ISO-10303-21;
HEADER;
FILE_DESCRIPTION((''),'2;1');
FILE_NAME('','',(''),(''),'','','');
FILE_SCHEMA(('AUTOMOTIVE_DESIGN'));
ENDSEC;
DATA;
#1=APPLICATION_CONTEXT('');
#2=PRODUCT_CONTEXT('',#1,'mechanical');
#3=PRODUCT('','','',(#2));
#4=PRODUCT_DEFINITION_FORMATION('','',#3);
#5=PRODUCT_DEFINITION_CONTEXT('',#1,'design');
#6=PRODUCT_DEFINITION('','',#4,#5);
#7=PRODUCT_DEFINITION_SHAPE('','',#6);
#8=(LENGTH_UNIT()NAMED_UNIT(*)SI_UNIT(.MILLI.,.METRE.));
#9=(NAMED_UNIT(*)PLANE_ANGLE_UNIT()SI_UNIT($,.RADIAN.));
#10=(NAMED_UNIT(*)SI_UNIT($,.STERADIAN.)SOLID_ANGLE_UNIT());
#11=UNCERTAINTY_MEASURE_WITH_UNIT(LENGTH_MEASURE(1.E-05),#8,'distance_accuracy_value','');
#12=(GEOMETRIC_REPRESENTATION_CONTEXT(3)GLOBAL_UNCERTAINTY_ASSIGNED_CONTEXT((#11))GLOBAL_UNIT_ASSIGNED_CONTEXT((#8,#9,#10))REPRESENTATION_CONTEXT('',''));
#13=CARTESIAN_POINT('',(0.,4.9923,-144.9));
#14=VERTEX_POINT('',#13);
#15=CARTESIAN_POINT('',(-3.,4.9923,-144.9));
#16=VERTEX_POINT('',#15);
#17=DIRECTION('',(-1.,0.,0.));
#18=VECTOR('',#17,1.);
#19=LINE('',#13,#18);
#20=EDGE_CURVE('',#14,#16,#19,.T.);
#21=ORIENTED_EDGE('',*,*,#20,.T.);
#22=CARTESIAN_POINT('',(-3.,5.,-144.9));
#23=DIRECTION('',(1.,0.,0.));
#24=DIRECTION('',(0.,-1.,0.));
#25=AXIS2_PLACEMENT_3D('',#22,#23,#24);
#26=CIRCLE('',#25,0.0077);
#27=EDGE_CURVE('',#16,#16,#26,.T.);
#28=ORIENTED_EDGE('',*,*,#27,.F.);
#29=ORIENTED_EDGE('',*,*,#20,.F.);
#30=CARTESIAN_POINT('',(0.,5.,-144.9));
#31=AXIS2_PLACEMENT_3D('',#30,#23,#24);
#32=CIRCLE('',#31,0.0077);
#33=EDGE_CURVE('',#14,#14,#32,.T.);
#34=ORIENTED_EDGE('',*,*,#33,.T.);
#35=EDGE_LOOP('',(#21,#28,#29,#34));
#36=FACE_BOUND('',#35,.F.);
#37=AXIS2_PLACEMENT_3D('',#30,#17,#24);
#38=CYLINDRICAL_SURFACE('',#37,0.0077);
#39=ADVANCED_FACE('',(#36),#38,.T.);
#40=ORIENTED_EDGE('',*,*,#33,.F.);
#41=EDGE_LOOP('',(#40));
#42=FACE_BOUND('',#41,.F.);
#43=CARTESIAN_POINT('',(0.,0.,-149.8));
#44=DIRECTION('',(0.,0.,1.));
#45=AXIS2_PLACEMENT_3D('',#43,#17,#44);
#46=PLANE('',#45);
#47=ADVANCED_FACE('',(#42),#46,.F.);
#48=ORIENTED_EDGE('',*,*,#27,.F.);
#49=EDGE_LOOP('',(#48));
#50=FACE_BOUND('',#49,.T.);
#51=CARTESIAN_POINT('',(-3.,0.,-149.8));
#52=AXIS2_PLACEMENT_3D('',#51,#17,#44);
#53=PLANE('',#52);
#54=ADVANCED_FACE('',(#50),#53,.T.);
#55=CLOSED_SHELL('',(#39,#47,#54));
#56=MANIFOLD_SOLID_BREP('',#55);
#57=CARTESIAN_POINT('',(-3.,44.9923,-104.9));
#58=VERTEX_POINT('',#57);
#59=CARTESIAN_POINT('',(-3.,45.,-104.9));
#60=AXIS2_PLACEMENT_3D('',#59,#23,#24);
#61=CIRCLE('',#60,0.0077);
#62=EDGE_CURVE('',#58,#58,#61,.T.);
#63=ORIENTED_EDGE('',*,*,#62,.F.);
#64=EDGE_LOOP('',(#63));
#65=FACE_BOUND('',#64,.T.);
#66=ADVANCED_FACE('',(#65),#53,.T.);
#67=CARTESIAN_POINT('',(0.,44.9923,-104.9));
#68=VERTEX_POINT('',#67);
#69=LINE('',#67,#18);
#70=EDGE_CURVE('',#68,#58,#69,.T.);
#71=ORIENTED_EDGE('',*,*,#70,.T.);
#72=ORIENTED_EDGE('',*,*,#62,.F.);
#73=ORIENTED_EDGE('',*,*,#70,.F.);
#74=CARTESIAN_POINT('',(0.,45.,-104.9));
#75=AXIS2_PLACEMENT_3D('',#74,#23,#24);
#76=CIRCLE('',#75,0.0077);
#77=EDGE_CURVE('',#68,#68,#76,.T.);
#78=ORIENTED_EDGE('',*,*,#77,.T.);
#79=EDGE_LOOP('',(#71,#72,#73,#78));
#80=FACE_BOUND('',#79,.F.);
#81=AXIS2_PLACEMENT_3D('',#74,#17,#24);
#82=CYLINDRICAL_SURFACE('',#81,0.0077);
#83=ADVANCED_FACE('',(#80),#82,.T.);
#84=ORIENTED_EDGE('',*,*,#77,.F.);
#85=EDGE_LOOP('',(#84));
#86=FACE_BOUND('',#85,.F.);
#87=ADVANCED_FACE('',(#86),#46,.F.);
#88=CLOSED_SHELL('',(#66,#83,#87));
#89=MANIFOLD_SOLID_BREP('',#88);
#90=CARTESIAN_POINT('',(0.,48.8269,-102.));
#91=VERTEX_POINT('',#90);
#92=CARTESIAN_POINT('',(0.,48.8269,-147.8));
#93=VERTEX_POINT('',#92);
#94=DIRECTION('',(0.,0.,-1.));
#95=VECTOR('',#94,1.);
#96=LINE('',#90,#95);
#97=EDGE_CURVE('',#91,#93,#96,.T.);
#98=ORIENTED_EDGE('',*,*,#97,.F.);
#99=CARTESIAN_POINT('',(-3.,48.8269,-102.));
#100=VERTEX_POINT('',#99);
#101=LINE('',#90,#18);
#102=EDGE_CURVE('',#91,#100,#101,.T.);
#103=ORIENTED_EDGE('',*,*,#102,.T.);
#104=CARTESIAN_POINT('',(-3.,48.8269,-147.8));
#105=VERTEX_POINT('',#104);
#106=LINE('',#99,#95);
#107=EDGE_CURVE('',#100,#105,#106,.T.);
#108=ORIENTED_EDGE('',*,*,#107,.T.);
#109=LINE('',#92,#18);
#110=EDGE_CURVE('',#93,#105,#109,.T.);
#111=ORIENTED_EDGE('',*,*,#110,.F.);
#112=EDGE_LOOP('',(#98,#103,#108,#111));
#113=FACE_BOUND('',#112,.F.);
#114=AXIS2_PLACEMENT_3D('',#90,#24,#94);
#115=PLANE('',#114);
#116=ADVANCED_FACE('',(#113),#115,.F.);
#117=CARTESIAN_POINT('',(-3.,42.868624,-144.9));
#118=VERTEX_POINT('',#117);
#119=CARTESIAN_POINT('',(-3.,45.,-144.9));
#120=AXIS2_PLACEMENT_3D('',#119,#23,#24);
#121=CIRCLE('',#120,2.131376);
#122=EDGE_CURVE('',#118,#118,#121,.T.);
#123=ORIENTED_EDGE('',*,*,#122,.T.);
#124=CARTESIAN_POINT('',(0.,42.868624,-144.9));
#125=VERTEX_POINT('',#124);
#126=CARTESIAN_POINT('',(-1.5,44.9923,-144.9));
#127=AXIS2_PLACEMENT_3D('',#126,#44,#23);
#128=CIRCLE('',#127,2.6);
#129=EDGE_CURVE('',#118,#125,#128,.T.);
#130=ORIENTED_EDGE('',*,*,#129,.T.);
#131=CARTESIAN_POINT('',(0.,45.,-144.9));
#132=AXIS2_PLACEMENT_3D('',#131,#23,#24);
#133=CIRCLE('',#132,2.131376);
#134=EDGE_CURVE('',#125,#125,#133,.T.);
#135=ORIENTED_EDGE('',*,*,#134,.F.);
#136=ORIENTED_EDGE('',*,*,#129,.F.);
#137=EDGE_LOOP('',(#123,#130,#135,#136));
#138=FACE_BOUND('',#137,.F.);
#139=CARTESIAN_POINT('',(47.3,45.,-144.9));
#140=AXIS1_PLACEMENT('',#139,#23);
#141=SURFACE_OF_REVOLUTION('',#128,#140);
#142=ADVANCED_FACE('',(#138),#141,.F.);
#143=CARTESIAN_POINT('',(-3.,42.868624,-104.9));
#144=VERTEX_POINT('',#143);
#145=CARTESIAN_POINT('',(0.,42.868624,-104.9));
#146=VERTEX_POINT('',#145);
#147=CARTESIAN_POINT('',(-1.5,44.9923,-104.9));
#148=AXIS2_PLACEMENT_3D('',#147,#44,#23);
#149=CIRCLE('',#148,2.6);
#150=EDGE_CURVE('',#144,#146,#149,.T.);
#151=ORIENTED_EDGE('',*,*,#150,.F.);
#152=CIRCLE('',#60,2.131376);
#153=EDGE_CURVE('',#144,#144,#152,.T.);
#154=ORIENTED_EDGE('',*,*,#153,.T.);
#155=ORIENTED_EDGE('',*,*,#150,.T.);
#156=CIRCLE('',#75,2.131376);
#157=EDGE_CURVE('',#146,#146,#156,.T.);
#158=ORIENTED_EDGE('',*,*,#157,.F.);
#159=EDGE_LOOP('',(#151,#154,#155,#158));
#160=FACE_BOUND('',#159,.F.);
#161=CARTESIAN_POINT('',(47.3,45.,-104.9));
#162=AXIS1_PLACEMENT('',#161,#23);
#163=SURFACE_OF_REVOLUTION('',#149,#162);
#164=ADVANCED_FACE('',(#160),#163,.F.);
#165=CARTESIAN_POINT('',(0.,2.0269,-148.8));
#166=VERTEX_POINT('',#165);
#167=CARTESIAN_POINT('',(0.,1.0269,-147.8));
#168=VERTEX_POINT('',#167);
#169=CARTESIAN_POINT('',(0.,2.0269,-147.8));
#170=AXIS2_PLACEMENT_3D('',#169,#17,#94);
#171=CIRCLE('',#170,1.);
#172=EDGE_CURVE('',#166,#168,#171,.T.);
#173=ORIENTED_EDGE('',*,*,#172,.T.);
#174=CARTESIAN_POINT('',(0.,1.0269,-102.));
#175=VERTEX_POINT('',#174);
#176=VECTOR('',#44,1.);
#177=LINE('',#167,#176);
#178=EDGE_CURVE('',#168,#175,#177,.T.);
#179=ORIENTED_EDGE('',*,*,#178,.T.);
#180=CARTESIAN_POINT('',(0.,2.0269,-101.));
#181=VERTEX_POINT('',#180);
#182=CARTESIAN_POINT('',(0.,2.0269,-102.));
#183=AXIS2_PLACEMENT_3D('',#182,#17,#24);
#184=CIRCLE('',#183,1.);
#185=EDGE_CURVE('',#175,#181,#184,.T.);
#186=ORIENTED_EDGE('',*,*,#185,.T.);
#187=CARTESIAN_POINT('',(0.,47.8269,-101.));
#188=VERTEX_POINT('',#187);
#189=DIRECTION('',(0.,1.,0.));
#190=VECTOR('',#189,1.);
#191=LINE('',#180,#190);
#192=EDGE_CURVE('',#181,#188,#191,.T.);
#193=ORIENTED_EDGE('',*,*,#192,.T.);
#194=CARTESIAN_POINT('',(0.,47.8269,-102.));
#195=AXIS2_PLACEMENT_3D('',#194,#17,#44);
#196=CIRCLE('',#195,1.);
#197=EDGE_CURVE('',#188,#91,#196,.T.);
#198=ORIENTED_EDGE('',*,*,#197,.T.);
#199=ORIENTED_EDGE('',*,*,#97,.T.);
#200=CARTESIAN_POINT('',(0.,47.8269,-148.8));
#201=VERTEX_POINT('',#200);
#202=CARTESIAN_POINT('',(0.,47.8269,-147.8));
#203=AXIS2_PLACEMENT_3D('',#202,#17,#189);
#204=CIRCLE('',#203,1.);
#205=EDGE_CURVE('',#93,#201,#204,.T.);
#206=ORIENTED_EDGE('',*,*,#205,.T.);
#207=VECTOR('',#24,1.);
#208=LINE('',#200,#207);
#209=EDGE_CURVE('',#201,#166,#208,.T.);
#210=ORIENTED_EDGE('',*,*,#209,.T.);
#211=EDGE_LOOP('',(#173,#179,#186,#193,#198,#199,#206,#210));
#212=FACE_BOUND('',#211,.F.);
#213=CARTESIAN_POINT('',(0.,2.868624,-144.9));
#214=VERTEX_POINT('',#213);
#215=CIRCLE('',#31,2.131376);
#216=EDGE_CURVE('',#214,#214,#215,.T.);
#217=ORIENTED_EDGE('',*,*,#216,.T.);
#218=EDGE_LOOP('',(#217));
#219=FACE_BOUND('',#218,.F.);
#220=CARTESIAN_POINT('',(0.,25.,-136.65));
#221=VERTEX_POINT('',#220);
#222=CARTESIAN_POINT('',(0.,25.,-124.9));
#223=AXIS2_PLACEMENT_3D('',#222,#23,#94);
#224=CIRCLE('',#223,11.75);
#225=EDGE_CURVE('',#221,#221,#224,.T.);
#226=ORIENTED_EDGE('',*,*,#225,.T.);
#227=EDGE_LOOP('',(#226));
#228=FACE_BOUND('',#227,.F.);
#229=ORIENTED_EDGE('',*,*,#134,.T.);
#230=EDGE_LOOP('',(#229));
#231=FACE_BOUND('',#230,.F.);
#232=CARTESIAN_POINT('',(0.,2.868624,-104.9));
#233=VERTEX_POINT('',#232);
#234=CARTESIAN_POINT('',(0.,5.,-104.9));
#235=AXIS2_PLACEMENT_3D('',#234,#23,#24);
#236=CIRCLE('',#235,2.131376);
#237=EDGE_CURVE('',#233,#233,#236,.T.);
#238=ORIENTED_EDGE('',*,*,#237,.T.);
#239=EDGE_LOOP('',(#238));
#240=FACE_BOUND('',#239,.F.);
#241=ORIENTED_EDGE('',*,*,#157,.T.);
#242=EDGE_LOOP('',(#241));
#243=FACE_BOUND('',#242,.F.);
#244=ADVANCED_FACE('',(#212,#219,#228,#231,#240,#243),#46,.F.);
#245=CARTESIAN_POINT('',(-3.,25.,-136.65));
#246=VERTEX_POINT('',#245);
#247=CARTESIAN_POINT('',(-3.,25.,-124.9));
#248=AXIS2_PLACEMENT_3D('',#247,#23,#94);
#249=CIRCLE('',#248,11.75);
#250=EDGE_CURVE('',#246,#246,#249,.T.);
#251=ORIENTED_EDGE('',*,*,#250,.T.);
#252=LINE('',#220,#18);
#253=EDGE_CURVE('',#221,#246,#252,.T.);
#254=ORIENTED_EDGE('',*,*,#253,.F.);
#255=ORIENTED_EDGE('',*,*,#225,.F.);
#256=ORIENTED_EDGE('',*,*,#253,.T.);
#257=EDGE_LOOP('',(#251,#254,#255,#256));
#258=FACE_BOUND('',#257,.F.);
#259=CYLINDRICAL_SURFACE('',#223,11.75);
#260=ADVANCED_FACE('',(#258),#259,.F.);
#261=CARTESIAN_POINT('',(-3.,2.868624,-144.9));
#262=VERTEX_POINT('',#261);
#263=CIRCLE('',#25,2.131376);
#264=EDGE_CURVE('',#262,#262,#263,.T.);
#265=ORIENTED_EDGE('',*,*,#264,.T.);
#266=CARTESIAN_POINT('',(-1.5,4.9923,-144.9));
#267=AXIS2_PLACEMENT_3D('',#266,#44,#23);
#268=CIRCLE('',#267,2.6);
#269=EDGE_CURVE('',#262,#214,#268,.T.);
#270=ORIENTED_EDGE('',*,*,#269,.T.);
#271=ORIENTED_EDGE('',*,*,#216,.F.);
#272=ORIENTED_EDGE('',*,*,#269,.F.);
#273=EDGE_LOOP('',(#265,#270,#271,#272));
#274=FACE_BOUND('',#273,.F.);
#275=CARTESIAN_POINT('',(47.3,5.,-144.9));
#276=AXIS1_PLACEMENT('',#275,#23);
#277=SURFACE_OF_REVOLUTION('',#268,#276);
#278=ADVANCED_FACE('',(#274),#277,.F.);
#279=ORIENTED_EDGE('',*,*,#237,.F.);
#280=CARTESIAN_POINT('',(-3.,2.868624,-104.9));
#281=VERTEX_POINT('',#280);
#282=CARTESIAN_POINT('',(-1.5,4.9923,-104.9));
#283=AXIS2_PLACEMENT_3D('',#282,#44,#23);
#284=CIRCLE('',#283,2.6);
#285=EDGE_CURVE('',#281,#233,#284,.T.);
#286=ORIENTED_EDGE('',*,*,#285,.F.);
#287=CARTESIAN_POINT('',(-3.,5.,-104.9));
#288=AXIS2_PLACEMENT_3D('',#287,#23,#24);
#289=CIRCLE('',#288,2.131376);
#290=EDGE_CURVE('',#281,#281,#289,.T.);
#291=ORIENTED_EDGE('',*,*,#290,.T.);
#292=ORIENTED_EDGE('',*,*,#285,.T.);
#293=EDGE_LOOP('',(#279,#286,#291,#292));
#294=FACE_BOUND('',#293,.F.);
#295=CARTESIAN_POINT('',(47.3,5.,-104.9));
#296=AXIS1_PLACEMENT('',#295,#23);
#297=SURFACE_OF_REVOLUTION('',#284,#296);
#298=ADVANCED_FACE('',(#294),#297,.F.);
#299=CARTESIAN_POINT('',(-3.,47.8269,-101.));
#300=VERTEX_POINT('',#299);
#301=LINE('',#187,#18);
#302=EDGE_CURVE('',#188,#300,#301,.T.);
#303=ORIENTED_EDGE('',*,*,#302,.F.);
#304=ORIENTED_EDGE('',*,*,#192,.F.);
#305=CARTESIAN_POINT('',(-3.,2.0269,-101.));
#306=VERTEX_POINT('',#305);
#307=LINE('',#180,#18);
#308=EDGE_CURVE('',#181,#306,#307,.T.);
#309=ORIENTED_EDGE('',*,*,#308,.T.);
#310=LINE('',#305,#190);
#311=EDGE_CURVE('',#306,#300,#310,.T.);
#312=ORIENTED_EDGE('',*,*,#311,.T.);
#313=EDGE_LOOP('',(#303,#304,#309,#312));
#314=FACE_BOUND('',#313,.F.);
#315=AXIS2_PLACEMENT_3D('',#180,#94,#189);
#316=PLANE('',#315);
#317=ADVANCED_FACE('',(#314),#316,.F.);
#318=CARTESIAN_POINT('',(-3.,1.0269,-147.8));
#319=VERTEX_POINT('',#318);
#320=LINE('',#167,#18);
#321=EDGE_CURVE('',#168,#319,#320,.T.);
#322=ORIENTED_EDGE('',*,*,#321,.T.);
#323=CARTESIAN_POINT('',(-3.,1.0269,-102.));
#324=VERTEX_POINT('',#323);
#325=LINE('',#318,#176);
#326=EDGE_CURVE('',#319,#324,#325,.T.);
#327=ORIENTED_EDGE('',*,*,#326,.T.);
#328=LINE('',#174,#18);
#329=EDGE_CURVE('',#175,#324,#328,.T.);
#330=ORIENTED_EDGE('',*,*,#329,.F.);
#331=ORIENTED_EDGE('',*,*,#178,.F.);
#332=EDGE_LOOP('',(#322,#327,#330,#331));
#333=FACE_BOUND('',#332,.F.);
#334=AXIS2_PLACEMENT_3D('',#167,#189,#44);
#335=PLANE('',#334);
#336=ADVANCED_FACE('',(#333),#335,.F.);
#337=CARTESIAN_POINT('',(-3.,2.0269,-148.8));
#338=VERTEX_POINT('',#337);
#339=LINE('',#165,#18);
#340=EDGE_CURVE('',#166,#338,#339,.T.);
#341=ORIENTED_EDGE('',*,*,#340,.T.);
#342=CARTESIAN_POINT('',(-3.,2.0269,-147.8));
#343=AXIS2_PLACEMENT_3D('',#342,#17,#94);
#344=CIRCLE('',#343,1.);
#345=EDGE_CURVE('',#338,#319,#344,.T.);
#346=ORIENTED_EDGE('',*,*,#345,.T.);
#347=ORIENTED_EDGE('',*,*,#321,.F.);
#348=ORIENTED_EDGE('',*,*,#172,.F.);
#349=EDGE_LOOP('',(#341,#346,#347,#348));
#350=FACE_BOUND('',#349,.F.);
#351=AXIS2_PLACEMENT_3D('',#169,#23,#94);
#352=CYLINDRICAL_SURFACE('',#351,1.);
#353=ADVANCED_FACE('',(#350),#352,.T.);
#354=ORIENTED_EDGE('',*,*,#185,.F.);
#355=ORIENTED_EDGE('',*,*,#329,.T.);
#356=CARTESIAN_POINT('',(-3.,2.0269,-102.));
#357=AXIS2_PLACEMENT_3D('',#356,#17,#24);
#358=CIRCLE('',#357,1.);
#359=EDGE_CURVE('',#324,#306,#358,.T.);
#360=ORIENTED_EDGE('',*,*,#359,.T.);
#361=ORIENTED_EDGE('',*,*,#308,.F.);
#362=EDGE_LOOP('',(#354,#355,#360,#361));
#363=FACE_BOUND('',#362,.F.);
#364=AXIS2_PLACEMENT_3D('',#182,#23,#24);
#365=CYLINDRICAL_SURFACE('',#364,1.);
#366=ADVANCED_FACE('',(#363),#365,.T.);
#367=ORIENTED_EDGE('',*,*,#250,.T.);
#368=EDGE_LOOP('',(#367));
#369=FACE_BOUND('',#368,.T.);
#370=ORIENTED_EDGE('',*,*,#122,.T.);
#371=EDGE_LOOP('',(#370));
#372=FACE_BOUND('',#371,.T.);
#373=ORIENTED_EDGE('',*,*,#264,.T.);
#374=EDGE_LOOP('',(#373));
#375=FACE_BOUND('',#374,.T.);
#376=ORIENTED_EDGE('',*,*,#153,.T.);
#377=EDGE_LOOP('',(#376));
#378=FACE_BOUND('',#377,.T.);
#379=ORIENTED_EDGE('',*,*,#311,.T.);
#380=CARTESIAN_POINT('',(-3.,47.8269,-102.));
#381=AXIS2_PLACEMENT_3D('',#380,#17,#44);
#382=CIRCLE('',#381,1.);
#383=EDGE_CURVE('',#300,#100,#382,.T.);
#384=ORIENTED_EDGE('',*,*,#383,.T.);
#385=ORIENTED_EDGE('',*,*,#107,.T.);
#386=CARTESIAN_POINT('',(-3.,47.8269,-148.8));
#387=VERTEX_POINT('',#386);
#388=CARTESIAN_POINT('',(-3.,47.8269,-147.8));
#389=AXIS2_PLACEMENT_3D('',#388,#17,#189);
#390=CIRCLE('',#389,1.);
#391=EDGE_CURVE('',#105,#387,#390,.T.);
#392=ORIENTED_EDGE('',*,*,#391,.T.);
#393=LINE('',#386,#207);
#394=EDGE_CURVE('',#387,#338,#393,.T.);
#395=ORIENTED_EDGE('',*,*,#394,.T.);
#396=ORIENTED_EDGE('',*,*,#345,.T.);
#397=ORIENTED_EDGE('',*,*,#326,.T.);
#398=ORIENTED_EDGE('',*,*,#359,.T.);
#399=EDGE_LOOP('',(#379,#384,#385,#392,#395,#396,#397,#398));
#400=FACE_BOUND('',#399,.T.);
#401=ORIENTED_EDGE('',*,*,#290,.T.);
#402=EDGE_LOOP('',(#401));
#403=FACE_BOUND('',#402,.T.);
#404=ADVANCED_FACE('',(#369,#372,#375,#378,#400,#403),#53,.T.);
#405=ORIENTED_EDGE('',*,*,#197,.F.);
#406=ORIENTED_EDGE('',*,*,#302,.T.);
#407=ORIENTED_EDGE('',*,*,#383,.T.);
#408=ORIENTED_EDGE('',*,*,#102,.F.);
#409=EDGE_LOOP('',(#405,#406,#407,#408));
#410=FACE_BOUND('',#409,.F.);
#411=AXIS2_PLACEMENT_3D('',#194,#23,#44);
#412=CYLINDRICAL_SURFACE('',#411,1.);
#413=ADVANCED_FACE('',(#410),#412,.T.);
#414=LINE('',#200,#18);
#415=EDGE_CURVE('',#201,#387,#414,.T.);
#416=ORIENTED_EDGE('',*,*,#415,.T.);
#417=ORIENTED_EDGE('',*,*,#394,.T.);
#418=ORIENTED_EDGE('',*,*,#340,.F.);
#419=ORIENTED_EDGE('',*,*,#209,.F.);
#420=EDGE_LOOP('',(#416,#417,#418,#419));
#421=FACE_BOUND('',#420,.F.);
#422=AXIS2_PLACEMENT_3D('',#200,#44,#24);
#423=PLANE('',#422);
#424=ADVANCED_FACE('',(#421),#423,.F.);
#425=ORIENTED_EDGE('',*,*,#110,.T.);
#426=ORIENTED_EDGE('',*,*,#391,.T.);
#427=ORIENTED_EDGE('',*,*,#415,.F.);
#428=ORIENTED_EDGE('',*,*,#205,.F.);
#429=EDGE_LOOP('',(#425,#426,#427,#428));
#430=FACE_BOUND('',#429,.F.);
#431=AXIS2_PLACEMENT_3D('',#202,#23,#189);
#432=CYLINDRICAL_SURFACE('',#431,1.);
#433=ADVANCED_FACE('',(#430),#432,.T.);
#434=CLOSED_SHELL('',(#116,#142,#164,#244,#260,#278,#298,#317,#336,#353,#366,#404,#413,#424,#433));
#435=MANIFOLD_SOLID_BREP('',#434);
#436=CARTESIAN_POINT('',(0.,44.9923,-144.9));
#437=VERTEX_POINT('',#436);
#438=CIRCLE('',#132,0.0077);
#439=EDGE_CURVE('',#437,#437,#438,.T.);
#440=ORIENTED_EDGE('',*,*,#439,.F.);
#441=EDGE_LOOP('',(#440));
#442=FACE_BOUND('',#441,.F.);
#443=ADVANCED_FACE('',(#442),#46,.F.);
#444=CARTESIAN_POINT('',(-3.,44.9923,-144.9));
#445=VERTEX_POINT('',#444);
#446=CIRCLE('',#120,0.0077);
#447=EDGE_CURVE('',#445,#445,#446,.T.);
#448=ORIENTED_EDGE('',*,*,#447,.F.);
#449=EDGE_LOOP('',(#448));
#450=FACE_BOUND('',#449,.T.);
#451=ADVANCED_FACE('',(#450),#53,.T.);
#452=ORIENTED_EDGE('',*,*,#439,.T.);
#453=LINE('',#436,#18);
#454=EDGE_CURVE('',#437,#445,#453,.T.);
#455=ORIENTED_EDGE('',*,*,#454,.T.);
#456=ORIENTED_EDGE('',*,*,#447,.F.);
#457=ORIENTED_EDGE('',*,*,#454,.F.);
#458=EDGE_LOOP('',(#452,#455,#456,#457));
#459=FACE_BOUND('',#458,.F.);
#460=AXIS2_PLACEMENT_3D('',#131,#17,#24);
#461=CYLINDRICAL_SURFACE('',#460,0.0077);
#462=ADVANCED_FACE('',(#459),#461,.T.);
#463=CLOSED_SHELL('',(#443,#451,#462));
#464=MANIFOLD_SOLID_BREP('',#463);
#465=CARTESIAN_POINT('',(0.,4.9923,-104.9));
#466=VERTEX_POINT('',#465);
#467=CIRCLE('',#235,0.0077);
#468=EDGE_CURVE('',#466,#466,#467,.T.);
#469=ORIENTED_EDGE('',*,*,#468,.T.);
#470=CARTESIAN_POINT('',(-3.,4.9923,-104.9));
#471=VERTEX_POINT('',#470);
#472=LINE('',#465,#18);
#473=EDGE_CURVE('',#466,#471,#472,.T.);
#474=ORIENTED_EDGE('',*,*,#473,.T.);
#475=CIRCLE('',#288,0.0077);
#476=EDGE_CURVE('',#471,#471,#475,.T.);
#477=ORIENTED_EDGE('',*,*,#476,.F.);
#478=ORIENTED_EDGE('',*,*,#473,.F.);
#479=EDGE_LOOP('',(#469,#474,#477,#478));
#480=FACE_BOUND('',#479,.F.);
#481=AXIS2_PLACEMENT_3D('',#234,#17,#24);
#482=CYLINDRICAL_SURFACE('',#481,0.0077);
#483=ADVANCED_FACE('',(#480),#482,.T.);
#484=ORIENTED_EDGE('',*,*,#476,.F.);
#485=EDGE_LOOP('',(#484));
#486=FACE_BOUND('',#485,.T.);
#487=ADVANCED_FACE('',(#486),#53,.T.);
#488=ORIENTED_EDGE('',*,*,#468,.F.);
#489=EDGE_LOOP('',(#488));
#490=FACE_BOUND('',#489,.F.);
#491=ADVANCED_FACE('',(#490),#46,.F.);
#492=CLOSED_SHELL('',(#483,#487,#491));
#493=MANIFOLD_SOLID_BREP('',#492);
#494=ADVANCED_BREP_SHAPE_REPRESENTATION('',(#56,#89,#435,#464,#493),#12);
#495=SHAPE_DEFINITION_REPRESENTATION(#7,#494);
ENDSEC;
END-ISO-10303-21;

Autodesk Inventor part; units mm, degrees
ref_plane "YZ Plane" through (0, 0, 0) normal (1, 0, 0) x (0, 1, 0)
ref_plane "XZ Plane" through (0, 0, 0) normal (0, 1, 0) x (-1, 0, 0)
ref_plane "XY Plane" through (0, 0, 0) normal (0, 0, 1) x (1, 0, 0)
ref_plane "Arbeitsebene1" through (0, 0, -149.8) normal (-1, 0, 0) x (0, 0, 1)
sketch "Skizze1" plane through (0, 0, -149.8) normal (-1, 0, 0) x (0, 0, 1)
  circle A0 centre (44.9, 5) radius 1.5 construction
  circle A1 centre (4.9, 5) radius 1.5 construction
  circle A2 centre (4.9, 45) radius 1.6 construction
  circle A3 centre (44.9, 45) radius 1.6 construction
  line L0 (39.5269, 16.1776) -> (39.5269, 39.7) construction
  line L1 (16.0815, 10.3) -> (33.7185, 10.3) construction
  line L2 (10.2731, 16.1776) -> (10.2731, 39.7) construction
  circle A4 centre (24.9, 24.9269) radius 14.6269 construction
  line L3 (2, 49.8269) -> (47.8, 49.8269)
  line L4 (49.8, 47.8269) -> (49.8, 2.0269)
  line L5 (47.8, 0.0269) -> (2, 0.0269)
  line L6 (0, 2.0269) -> (0, 47.8269)
  line L7 (0, 49.8269) -> (49.8, 0.0269) construction
  line L8 (49.8, 49.8269) -> (0, 0.0269) construction
  arc A5 (47.8, 0.0269) -> (49.8, 2.0269) centre (47.8, 2.0269) ccw
  arc A6 (0, 2.0269) -> (2, 0.0269) centre (2, 2.0269) ccw
  arc A7 (2, 49.8269) -> (0, 47.8269) centre (2, 47.8269) ccw
  arc A8 (49.8, 47.8269) -> (47.8, 49.8269) centre (47.8, 47.8269) ccw
  line L9 (2, 1.0269) -> (47.8, 1.0269)
  arc A9 (47.8, 1.0269) -> (48.8, 2.0269) centre (47.8, 2.0269) ccw
  line L10 (48.8, 2.0269) -> (48.8, 47.8269)
  arc A10 (48.8, 47.8269) -> (47.8, 48.8269) centre (47.8, 47.8269) ccw
  line L11 (47.8, 48.8269) -> (2, 48.8269)
  arc A11 (2, 48.8269) -> (1, 47.8269) centre (2, 47.8269) ccw
  line L12 (1, 47.8269) -> (1, 2.0269)
  arc A12 (1, 2.0269) -> (2, 1.0269) centre (2, 2.0269) ccw
  point P0 (149.8, 0)
extrude "Extrusion1" add sketch "Skizze1" along normal blind 3 contours A12 L12 A11 L11 A10 L10 A9 L9
ref_plane "Arbeitsebene2" through (0, 5, -104.9) normal (0, 0, 1) x (1, 0, 0)
sketch "Skizze2" plane through (0, 5, -104.9) normal (0, 0, 1) x (1, 0, 0)
  line L0 (0, 5.3) -> (7, 5.3) projected
  line L1 (0, 8.3139) -> (7.3731, 8.3139)
  line L2 (0, -2.9731) -> (0, 42.8269) projected
  line L3 (0, 6.807) -> (-3, 6.807)
  line L4 (-3, -2.9731) -> (-3, 42.8269) projected
  circle A0 centre (-1.5, 6.807) radius 2.6
  line L5 (1.1, 6.807) -> (-4.1, 6.807)
  line L6 (0, 1.6861) -> (7.3731, 1.6861)
  line L7 (2.4, -2.5) -> (8, -2.5) projected
  line L8 (15, -1.5) -> (6.4, -1.5)
  line L9 (10.2731, 1.5) -> (6.4, 1.5)
  line L10 (0, -0.0077) -> (-3, -0.0077)
  circle A1 centre (-1.5, -0.0077) radius 2.6
  line L11 (1.1, -0.0077) -> (-4.1, -0.0077)
  line L12 (-7.92, 0) -> (18.82, 0) projected
  point P0 (0, -5)
  point P1 (0, 1.4993)
  dimension "d6" = 1.507
  dimension "d7" = 5.2
  dimension "d9" = 5.2
revolve "Umdrehung2" cut sketch "Skizze2" angle 360 about axis through (47.3, 5, -104.9) along (1, 0, 0) contours L11 A1 L2 | L2 A1 L4 L10 | L4 A1 L11
pattern_linear "Rechteckige Anordnung1" count 2 spacing 40 along (0, 1, 0) count 2 spacing 40 along (0, 0, -1) of "Umdrehung2"
sketch "Skizze3" plane through (0, 0, -149.8) normal (1, 0, 0) x (0, 0, -1)
  point P0 (-149.8, 0)
sketch "Skizze4" plane through (0, 0, -149.8) normal (1, 0, 0) x (0, 0, -1)
  circle A0 centre (-24.9, 25) radius 11.45
  circle A1 centre (-24.9, 25) radius 11.75
  point P0 (-149.8, 0)
  dimension "d18" = 0.3
extrude "Extrusion2" cut sketch "Skizze4" against normal blind 10 contours A0 | A1
properties part number "30_Adapterplate_Eyepiece"
